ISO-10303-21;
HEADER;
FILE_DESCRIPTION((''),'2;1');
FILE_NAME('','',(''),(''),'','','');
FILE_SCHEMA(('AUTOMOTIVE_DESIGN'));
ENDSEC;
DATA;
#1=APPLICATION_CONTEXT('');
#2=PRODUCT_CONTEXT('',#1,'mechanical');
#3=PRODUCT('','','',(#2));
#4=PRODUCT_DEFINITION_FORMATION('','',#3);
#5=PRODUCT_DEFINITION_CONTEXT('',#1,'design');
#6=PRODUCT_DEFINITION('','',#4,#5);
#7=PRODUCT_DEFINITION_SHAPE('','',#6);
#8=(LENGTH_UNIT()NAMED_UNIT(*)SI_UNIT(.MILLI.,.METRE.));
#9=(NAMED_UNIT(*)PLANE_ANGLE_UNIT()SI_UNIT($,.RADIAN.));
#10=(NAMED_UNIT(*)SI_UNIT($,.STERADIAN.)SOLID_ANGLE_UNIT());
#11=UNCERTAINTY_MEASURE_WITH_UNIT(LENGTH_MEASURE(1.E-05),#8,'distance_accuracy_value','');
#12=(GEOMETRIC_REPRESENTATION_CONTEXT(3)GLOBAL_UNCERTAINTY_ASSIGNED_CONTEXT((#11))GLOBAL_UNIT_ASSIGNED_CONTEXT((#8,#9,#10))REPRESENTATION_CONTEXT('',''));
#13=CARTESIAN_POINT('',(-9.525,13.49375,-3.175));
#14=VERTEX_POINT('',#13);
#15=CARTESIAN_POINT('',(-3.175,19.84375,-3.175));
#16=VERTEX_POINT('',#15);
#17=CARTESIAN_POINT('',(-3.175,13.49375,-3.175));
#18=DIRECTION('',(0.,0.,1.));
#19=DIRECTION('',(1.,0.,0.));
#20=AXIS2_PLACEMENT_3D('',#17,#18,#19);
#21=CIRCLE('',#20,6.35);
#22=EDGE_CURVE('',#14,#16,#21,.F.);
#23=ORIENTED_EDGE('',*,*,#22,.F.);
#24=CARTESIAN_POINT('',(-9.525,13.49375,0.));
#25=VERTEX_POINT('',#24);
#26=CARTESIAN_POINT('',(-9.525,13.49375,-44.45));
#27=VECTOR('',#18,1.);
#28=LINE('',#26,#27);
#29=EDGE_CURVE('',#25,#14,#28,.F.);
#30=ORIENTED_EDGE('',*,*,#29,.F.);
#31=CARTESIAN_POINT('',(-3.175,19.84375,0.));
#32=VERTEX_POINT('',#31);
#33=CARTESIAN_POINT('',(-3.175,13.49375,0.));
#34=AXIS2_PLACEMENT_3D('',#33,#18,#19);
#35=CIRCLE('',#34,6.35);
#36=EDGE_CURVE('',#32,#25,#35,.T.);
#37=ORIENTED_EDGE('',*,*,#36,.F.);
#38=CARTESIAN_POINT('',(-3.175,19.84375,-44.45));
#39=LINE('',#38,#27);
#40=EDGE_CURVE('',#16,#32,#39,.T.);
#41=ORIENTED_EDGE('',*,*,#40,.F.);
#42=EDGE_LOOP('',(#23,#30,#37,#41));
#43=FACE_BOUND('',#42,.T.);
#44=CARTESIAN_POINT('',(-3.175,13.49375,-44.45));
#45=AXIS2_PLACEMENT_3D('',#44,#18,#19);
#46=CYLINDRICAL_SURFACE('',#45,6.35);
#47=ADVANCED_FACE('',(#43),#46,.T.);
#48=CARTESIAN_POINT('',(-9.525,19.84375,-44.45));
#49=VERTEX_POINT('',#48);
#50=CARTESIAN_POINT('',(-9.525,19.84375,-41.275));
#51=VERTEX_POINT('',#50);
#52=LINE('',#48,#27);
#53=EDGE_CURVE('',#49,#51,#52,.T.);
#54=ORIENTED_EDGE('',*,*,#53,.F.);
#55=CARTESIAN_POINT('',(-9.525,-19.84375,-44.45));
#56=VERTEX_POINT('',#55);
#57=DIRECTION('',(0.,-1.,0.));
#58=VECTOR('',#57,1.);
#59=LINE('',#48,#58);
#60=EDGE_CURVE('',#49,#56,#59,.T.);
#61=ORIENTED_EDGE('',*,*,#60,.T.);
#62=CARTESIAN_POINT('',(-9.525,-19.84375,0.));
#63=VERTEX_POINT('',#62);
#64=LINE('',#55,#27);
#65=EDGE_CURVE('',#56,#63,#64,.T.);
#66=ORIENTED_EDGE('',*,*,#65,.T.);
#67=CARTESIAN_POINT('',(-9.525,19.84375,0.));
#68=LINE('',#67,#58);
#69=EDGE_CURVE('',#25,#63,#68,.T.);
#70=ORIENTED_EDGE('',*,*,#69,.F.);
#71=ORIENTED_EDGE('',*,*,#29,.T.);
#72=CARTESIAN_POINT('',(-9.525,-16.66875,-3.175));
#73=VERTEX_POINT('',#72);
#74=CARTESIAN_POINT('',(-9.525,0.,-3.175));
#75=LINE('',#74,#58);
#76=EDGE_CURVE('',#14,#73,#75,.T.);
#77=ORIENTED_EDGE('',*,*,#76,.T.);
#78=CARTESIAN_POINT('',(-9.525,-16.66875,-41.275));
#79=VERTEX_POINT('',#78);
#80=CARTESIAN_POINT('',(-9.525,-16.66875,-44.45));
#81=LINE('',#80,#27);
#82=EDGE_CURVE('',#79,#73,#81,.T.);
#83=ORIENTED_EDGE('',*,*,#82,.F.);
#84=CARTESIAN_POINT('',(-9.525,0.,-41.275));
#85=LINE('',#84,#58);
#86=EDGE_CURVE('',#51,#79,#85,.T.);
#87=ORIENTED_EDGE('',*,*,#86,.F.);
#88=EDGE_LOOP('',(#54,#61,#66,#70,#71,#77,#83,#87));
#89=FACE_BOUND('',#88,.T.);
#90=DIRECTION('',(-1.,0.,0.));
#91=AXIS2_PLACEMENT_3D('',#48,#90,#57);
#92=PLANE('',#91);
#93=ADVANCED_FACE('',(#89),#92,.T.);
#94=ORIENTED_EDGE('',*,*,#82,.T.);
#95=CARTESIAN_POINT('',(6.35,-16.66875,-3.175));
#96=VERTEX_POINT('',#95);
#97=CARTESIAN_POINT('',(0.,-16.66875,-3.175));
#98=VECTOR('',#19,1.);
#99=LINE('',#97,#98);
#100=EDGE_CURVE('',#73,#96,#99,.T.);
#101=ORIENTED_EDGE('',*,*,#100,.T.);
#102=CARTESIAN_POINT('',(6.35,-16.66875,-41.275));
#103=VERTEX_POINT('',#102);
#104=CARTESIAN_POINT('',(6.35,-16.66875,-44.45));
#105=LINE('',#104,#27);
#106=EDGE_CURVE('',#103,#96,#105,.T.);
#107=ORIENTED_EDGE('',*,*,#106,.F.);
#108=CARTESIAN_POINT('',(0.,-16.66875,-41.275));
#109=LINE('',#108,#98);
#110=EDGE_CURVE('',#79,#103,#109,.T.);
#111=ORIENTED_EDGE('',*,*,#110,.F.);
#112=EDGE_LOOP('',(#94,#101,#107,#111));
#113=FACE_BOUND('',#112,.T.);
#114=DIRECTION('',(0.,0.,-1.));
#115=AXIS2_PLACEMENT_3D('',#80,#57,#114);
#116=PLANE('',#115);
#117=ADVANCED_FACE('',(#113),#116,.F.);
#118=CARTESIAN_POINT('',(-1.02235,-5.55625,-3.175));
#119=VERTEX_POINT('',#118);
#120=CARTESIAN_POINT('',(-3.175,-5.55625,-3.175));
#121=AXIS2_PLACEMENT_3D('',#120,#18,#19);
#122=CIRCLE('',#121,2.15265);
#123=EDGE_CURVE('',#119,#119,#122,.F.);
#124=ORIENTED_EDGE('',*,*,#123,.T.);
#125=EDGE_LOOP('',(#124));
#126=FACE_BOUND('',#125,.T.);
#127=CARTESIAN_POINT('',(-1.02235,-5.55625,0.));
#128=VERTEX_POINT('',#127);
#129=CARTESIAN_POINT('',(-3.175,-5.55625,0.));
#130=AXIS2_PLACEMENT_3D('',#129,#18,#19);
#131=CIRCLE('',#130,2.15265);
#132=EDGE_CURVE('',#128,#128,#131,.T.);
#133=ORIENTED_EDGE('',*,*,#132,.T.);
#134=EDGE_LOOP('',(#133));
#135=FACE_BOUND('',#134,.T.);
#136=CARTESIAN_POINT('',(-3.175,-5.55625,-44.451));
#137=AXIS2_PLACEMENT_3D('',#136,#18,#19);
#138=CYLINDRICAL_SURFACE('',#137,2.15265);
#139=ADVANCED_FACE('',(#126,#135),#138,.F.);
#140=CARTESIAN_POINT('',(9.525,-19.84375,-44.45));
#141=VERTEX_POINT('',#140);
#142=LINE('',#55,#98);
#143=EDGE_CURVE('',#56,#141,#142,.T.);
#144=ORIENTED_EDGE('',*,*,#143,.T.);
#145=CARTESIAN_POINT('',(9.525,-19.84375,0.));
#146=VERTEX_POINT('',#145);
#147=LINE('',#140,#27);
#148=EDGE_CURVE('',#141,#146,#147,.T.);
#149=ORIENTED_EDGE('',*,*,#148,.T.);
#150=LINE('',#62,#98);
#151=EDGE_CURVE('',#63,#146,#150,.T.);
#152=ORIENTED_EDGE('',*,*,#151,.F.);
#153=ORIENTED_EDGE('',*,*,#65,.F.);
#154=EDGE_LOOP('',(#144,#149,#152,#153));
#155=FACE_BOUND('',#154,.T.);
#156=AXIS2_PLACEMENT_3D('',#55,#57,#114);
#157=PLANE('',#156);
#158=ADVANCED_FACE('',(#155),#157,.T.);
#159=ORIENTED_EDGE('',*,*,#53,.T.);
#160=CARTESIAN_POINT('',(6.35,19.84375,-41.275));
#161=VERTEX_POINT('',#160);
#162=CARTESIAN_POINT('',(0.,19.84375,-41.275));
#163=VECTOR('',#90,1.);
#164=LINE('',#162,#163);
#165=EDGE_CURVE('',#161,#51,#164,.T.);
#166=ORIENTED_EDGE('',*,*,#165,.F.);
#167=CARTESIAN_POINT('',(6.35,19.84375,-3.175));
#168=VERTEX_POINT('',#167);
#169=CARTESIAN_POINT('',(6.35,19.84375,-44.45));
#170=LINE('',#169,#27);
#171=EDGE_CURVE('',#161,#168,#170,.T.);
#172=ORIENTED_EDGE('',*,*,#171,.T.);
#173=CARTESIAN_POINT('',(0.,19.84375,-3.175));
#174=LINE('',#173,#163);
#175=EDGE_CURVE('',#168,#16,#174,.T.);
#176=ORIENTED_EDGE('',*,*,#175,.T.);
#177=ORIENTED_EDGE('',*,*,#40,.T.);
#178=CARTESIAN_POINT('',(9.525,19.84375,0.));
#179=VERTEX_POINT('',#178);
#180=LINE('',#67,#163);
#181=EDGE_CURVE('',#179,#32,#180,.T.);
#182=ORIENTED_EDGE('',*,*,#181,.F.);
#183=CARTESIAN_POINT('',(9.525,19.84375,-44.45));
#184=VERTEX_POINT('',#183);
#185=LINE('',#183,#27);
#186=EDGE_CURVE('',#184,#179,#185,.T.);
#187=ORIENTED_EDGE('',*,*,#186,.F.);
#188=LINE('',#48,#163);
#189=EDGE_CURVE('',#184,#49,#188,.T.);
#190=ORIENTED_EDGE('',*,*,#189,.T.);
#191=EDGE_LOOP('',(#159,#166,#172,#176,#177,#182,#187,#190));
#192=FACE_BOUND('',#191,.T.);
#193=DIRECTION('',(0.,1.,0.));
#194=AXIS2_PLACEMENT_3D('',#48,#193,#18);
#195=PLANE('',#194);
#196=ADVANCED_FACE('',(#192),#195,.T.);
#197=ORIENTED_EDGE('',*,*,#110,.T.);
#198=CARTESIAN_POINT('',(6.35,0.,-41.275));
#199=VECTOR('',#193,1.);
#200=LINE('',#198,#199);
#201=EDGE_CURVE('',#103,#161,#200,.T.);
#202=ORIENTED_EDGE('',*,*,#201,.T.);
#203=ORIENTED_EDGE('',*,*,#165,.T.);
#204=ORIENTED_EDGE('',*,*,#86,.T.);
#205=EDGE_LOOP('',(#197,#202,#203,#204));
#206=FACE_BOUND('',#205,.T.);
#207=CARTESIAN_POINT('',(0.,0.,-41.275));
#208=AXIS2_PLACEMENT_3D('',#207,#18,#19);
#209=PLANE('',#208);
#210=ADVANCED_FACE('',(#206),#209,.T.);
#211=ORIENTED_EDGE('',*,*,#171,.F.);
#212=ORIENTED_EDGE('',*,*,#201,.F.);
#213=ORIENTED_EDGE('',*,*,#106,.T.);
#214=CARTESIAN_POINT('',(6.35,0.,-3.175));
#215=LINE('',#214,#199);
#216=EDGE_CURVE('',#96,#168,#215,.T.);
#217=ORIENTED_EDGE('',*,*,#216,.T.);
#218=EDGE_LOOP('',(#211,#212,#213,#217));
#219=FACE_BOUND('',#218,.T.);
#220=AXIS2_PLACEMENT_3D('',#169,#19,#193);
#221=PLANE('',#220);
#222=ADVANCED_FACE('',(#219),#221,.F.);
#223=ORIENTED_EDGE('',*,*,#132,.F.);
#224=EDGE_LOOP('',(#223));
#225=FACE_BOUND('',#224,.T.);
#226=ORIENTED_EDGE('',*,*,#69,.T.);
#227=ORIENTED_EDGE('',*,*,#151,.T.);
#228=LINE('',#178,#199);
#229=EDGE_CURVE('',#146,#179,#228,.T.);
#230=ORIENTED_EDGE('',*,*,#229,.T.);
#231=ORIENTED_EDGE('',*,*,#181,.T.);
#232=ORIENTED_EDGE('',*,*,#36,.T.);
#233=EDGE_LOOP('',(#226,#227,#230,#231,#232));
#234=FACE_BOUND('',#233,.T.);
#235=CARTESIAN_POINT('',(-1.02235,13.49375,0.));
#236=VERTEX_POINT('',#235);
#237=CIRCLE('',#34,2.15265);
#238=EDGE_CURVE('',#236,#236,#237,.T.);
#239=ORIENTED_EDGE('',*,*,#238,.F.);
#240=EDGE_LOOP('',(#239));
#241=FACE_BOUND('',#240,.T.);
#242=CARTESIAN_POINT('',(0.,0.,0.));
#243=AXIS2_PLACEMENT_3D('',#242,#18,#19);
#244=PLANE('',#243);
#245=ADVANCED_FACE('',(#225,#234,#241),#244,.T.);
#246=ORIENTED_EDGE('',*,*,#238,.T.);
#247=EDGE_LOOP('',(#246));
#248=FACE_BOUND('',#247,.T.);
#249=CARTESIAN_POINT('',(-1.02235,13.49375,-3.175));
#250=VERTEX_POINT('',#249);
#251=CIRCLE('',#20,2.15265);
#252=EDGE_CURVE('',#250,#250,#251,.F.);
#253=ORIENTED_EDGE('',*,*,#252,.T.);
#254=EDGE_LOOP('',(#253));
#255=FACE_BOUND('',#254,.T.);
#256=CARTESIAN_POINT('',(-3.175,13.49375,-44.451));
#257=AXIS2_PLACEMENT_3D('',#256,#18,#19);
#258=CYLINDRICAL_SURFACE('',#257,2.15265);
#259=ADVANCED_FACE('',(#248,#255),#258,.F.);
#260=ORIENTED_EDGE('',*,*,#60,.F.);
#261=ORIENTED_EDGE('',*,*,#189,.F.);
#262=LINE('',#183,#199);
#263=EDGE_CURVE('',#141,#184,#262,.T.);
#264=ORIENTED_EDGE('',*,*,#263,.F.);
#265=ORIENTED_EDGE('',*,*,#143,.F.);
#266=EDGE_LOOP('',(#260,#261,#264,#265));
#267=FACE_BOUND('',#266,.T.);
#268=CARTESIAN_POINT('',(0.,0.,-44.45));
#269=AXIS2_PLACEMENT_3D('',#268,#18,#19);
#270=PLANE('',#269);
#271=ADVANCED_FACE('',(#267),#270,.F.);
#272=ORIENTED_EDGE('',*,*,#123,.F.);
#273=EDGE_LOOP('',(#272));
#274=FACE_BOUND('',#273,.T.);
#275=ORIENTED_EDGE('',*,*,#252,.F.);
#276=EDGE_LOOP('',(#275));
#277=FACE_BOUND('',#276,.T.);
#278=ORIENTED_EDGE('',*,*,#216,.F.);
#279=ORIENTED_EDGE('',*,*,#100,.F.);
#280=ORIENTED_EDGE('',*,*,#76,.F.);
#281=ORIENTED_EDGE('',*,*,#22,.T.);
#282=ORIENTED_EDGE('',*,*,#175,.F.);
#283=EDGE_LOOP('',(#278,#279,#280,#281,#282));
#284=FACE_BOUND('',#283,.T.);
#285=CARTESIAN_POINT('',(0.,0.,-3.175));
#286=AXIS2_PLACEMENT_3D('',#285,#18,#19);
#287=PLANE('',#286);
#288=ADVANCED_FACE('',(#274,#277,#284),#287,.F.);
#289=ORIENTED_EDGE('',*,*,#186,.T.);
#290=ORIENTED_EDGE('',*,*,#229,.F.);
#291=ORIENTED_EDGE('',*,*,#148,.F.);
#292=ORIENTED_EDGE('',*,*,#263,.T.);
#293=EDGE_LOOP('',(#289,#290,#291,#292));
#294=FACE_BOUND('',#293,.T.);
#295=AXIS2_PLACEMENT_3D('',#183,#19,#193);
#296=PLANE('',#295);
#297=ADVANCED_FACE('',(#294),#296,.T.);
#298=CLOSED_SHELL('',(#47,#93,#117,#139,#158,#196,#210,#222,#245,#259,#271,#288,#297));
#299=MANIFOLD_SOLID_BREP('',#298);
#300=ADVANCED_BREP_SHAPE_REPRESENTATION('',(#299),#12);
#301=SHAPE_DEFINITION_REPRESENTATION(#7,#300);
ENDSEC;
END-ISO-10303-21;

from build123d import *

# Parameters (mm, degrees)
SKETCH1_W           = 19.05
SKETCH1_H           = 39.6875
BOSS_EXTRUDE1_DEPTH = 44.45
SHELL1_T            = -3.175
CUT_EXTRUDE1_REACH  = 51.601
SKETCH2_R           = 2.15265
FILLET2_R           = 6.35


with BuildPart() as part:
    # Sketch1 → Boss-Extrude1 (new body)
    with BuildSketch(Plane.XY):
        Rectangle(SKETCH1_W, SKETCH1_H)
    extrude(amount=-BOSS_EXTRUDE1_DEPTH)

    # Shell1
    shell1_openings = [part.faces().sort_by_distance(p)[0] for p in [
        (-9.525, 0, -22.225),
        (0, 19.84375, -22.225),
    ]]
    offset(amount=SHELL1_T, openings=shell1_openings, kind=Kind.INTERSECTION)

    # Sketch2 → Cut-Extrude1 (cut, up to next)
    with BuildSketch(Plane.XY, mode=Mode.PRIVATE) as cut_extrude1_sk1:
        with Locations((-3.175, -5.55625)):
            Circle(SKETCH2_R)
    cut_extrude1_tool1 = extrude(cut_extrude1_sk1.sketch, amount=-CUT_EXTRUDE1_REACH, mode=Mode.PRIVATE) & part.part
    # Sketch2 → Cut-Extrude1 (cut, up to next)
    with BuildSketch(Plane.XY, mode=Mode.PRIVATE) as cut_extrude1_sk2:
        with Locations((-3.175, 13.49375)):
            Circle(SKETCH2_R)
    cut_extrude1_tool2 = extrude(cut_extrude1_sk2.sketch, amount=-CUT_EXTRUDE1_REACH, mode=Mode.PRIVATE) & part.part
    add(cut_extrude1_tool1.solids().sort_by_distance((-3.175, -5.55625, 0))[0], mode=Mode.SUBTRACT)
    add(cut_extrude1_tool2.solids().sort_by_distance((-3.175, 13.49375, 0))[0], mode=Mode.SUBTRACT)

    # Fillet2
    fillet2_edges = [part.edges().sort_by_distance(p)[0] for p in [
        (-9.525, 19.84375, -1.5875),
    ]]
    fillet(fillet2_edges, radius=FILLET2_R)


solid = part.part
